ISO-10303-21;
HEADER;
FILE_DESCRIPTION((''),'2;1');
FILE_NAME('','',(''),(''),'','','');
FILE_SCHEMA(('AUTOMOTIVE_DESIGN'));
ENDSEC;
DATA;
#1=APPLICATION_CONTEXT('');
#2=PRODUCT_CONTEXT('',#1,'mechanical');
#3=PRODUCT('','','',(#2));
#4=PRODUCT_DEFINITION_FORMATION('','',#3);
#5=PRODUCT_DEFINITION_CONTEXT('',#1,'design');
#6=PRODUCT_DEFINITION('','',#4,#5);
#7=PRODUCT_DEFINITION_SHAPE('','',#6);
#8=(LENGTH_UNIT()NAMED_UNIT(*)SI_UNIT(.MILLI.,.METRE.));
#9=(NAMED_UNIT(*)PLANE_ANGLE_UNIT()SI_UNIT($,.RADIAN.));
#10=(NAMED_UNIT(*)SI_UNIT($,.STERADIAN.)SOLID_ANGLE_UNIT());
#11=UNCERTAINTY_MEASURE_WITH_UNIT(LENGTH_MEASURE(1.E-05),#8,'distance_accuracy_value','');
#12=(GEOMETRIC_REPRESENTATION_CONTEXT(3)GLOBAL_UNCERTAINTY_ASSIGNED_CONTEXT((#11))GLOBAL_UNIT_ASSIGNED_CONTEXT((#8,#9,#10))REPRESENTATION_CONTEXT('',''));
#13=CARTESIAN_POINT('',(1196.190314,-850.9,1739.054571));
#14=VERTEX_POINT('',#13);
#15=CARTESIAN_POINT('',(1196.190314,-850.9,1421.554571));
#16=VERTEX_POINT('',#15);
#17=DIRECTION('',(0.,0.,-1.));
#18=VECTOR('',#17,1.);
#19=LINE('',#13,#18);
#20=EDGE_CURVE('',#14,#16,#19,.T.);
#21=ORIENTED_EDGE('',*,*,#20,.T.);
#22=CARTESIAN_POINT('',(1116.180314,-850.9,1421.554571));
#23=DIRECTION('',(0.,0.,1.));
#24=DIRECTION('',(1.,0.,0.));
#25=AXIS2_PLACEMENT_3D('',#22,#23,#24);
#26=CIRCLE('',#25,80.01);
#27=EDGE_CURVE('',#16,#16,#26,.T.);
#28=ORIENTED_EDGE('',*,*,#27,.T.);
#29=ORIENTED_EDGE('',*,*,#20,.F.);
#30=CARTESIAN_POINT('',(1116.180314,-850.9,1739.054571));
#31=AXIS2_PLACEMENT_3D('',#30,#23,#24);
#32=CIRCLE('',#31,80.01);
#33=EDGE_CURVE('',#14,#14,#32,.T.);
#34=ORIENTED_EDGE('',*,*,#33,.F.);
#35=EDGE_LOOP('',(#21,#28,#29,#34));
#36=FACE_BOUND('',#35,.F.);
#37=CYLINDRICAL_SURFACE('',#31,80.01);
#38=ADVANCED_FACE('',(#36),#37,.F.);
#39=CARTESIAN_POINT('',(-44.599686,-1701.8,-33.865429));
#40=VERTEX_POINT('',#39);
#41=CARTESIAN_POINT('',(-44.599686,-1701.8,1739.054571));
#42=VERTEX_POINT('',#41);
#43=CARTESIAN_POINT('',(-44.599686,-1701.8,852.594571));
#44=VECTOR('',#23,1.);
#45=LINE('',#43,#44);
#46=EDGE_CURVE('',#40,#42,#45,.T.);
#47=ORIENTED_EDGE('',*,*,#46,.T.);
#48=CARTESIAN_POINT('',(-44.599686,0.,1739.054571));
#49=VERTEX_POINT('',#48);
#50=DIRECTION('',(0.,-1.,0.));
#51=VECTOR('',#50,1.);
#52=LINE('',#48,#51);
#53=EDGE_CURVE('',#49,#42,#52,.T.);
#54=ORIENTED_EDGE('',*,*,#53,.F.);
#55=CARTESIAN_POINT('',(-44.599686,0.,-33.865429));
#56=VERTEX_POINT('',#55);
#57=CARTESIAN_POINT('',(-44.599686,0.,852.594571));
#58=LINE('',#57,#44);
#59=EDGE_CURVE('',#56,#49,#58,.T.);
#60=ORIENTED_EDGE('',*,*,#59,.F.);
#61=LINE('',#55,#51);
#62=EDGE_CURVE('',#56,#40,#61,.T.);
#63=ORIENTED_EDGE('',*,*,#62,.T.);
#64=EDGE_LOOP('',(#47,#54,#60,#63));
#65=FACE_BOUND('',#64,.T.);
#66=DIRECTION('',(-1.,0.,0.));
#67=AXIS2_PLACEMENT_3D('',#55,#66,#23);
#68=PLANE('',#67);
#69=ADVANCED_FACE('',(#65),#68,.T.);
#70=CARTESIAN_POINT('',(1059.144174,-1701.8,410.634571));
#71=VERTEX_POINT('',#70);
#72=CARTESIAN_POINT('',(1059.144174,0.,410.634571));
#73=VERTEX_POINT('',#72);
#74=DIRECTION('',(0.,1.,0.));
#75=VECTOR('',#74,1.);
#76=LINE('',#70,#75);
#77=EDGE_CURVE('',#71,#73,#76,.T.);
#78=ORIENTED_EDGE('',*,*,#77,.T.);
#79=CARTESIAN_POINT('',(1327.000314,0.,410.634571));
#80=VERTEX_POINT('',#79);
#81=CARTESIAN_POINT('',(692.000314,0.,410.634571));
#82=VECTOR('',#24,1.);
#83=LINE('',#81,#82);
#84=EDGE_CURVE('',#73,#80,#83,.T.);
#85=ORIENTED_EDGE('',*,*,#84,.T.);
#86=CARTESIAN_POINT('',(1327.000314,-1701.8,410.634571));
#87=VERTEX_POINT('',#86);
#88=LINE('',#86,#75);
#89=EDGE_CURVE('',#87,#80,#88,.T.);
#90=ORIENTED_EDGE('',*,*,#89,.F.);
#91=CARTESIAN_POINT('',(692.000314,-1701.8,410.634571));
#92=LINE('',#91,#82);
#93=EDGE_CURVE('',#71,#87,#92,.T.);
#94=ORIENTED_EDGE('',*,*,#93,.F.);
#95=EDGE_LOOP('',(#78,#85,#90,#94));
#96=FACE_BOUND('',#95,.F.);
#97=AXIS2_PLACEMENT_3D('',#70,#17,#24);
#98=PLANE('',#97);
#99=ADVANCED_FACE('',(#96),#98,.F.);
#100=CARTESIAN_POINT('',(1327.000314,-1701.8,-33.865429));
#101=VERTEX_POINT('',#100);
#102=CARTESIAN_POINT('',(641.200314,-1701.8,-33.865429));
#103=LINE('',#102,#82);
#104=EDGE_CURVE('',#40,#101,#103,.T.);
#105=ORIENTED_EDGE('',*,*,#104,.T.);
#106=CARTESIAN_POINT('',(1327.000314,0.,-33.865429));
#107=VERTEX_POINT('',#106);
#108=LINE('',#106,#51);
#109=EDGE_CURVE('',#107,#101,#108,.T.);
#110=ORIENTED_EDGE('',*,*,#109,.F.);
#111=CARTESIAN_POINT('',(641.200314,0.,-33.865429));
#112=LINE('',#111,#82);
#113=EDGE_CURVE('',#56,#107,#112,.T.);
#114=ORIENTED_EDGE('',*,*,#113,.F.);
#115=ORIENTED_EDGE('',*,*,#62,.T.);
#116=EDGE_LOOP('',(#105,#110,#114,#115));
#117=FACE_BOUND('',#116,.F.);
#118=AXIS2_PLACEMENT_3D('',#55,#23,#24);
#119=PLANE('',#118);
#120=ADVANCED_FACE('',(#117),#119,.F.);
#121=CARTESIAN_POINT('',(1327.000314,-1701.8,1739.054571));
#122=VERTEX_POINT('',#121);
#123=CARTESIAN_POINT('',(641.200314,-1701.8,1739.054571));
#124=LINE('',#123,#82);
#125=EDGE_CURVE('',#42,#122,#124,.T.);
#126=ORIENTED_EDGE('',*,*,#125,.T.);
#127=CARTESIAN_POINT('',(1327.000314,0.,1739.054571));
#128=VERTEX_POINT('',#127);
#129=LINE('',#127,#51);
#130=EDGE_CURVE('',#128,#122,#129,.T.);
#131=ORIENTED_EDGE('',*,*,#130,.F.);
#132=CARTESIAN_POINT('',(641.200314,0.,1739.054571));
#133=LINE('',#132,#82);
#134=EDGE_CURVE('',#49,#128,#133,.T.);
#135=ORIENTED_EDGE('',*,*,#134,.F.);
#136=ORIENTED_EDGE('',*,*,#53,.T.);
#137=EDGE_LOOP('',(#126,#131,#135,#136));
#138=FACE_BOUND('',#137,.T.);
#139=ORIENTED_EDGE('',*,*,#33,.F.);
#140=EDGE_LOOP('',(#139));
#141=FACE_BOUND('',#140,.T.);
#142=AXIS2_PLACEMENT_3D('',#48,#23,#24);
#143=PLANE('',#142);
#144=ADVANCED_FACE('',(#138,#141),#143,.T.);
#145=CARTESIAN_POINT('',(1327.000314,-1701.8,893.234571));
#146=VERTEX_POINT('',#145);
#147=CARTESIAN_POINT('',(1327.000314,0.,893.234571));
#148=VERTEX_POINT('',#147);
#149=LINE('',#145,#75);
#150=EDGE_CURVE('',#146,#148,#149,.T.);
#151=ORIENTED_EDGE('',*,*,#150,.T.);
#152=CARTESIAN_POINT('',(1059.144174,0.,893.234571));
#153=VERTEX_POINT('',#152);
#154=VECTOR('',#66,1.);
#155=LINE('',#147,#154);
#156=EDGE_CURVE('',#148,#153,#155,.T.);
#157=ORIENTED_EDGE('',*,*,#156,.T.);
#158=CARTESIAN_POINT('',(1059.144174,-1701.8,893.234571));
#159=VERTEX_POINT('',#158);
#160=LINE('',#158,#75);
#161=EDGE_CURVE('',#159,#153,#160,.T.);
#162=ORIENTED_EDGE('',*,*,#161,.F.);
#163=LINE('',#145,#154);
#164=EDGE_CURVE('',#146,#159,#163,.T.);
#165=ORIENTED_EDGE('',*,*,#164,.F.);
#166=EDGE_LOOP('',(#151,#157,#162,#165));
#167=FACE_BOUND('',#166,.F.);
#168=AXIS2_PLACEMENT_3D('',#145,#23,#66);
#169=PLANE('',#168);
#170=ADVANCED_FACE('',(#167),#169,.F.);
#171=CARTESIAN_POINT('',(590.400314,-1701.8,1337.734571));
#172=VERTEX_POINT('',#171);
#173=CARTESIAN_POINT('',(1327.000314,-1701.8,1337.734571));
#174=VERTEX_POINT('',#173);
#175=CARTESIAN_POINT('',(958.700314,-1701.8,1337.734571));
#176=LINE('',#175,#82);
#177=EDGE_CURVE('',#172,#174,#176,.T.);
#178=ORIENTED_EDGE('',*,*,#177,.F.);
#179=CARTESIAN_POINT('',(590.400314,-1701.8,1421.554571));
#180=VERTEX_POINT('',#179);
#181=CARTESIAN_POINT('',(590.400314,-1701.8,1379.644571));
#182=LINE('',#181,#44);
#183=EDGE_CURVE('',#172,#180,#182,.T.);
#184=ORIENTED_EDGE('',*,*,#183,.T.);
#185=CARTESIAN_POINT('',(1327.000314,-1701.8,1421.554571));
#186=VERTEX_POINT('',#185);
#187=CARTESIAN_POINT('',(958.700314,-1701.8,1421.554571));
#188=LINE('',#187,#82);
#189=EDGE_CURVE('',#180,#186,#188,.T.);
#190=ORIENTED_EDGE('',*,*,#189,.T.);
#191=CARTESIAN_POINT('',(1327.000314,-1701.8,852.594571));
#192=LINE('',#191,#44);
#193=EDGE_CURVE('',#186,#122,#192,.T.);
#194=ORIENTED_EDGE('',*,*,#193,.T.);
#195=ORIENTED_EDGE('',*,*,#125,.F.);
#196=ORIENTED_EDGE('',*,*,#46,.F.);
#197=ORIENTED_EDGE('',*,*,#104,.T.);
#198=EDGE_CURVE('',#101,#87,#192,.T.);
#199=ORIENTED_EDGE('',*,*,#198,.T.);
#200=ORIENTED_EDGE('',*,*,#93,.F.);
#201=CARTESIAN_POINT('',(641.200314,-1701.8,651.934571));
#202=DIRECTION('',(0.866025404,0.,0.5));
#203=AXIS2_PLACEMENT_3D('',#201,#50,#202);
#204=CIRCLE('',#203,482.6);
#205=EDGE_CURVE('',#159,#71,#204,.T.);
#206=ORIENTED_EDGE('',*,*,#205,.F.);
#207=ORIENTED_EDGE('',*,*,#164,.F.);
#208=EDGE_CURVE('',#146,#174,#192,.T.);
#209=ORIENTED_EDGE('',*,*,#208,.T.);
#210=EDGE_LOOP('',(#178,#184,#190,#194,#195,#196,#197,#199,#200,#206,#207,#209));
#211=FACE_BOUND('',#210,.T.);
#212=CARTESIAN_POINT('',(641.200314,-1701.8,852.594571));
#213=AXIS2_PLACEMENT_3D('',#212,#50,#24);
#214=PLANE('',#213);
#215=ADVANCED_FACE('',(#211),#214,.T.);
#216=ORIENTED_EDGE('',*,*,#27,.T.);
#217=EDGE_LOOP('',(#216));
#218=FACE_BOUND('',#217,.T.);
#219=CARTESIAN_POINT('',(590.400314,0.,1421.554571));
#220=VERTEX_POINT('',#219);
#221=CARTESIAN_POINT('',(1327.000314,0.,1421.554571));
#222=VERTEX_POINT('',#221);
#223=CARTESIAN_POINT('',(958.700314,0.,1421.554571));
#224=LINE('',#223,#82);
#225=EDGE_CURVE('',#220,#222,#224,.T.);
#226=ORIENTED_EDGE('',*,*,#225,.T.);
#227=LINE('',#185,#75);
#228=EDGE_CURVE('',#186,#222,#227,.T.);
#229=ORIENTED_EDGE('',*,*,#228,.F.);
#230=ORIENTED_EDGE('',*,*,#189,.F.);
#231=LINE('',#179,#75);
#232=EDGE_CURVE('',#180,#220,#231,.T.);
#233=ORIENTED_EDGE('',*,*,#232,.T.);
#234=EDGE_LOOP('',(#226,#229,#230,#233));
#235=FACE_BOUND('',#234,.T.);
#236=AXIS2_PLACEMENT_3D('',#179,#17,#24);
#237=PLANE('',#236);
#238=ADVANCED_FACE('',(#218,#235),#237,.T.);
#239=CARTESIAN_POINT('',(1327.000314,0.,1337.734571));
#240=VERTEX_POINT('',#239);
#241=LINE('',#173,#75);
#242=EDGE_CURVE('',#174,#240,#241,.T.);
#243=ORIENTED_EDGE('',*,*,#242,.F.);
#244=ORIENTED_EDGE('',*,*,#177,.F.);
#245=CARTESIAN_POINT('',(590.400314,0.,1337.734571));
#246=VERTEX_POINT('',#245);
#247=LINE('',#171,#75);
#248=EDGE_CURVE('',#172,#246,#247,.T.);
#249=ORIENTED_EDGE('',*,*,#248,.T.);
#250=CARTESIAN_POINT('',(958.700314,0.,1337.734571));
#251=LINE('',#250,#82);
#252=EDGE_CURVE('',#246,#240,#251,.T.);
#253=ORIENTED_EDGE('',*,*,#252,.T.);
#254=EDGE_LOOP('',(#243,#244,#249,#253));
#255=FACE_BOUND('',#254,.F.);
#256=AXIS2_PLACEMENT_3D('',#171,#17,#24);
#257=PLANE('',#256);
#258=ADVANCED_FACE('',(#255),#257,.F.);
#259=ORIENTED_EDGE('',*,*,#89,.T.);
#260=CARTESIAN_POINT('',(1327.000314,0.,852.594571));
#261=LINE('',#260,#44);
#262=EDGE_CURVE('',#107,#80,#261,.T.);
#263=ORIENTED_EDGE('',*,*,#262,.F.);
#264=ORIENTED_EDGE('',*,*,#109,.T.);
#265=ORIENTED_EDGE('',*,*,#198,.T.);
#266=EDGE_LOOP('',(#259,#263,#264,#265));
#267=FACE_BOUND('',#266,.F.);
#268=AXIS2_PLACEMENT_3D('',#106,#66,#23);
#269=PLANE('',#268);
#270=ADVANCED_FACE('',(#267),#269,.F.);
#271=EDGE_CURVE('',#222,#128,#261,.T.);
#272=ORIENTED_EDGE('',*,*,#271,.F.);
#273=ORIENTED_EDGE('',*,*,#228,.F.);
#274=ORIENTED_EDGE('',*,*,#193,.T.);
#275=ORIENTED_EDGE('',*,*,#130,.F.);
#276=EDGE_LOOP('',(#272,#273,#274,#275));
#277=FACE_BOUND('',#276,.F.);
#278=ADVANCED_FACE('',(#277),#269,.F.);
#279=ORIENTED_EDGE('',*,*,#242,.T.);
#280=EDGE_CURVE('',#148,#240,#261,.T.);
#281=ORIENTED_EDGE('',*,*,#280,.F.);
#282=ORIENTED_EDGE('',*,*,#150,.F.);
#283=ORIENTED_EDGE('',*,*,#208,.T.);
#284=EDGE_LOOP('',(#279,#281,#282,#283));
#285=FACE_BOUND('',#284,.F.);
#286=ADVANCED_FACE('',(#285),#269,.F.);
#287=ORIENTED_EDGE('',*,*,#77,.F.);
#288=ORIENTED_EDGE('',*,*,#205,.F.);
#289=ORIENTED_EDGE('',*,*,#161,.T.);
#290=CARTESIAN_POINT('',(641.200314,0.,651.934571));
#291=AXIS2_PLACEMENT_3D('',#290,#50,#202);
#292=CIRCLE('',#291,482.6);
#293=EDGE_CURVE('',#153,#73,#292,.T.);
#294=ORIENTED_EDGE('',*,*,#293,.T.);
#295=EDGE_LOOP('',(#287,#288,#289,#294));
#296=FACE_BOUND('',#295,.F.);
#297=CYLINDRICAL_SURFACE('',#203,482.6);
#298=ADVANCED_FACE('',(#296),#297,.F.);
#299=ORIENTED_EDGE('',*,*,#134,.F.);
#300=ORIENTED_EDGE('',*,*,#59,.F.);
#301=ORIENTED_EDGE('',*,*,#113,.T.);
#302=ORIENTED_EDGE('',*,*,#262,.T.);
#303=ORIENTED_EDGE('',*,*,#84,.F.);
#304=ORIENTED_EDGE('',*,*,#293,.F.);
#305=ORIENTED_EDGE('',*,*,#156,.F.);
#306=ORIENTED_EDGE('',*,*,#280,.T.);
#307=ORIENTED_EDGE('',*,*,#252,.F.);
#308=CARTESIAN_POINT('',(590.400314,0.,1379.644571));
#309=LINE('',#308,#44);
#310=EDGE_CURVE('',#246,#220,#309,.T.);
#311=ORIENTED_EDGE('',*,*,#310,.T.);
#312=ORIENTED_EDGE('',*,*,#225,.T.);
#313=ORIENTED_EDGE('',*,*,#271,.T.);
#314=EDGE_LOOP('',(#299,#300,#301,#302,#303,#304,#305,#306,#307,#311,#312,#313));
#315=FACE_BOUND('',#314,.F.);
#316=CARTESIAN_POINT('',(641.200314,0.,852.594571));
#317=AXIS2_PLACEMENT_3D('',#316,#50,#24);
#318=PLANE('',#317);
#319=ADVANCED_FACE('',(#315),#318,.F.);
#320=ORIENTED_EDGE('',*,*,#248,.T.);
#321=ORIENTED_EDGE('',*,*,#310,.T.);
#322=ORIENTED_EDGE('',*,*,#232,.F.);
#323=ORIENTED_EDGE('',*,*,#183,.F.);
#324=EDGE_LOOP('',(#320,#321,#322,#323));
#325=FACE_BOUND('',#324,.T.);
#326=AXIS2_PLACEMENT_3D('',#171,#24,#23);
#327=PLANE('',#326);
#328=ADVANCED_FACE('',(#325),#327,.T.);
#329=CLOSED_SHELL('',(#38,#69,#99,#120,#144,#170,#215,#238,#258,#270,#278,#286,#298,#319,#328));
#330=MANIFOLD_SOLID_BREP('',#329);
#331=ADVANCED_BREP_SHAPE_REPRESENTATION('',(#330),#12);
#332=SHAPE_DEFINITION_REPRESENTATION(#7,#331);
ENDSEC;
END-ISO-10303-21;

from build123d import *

# Parameters (mm, degrees)
F0_W     = 1371.6
F0_H     = 1772.92
F2_DEPTH = 1701.8
F3_W     = 736.6
F3_H     = 83.82
F4_DEPTH = 1701.8
F6_DEPTH = 1701.8
F7_R     = 80.01
F8_DEPTH = 317.5


with BuildPart() as f2:
    # F0 (on Front) → F2 (new body)
    with BuildSketch(Plane.XZ):
        with Locations((641.200314182, 852.594570539)):
            Rectangle(F0_W, F0_H)
    extrude(amount=F2_DEPTH)

    # F3 (on face) → F4 (cut)
    with BuildSketch(Plane.XZ.offset(1701.8)):
        with Locations((958.700314182, 1379.644570539)):
            Rectangle(F3_W, F3_H)
    extrude(amount=-F4_DEPTH, mode=Mode.SUBTRACT)

    # F5 (on face) → F6 (cut)
    with BuildSketch(Plane.XZ.offset(1701.8)):
        with BuildLine():
            ThreePointArc((1059.1441740484, 410.634570539), (1107.3561179491, 527.0284993725), (1123.800314182, 651.934570539))
            ThreePointArc((1123.800314182, 651.934570539), (1107.3561179491, 776.8406417055), (1059.1441740484, 893.234570539))
            Line((1059.1441740484, 893.234570539), (692.000314182, 893.234570539))
            Line((692.000314182, 893.234570539), (692.000314182, 410.634570539))
            Line((692.000314182, 410.634570539), (1059.1441740484, 410.634570539))
        make_face()
        with BuildLine():
            ThreePointArc((1059.1441740484, 893.234570539), (1107.3561179491, 776.8406417055), (1123.800314182, 651.934570539))
            ThreePointArc((1123.800314182, 651.934570539), (1107.3561179491, 527.0284993725), (1059.1441740484, 410.634570539))
            Line((1059.1441740484, 410.634570539), (1327.000314182, 410.634570539))
            Line((1327.000314182, 410.634570539), (1327.000314182, 893.234570539))
            Line((1327.000314182, 893.234570539), (1059.1441740484, 893.234570539))
        make_face()
        with BuildLine():
            Line((692.000314182, 893.234570539), (1059.1441740484, 893.234570539))
            ThreePointArc((1059.1441740484, 893.234570539), (158.600314182, 651.934570539), (1059.1441740484, 410.634570539))
            Line((1059.1441740484, 410.634570539), (692.000314182, 410.634570539))
            Line((692.000314182, 410.634570539), (692.000314182, 893.234570539))
        make_face()
    extrude(amount=-F6_DEPTH, mode=Mode.SUBTRACT)

    # F7 (on face) → F8 (cut)
    with BuildSketch(Plane.XY.offset(1739.054570539)):
        with Locations((1116.180314182, -850.9)):
            Circle(F7_R)
    extrude(amount=-F8_DEPTH, mode=Mode.SUBTRACT)


solid = f2.part
